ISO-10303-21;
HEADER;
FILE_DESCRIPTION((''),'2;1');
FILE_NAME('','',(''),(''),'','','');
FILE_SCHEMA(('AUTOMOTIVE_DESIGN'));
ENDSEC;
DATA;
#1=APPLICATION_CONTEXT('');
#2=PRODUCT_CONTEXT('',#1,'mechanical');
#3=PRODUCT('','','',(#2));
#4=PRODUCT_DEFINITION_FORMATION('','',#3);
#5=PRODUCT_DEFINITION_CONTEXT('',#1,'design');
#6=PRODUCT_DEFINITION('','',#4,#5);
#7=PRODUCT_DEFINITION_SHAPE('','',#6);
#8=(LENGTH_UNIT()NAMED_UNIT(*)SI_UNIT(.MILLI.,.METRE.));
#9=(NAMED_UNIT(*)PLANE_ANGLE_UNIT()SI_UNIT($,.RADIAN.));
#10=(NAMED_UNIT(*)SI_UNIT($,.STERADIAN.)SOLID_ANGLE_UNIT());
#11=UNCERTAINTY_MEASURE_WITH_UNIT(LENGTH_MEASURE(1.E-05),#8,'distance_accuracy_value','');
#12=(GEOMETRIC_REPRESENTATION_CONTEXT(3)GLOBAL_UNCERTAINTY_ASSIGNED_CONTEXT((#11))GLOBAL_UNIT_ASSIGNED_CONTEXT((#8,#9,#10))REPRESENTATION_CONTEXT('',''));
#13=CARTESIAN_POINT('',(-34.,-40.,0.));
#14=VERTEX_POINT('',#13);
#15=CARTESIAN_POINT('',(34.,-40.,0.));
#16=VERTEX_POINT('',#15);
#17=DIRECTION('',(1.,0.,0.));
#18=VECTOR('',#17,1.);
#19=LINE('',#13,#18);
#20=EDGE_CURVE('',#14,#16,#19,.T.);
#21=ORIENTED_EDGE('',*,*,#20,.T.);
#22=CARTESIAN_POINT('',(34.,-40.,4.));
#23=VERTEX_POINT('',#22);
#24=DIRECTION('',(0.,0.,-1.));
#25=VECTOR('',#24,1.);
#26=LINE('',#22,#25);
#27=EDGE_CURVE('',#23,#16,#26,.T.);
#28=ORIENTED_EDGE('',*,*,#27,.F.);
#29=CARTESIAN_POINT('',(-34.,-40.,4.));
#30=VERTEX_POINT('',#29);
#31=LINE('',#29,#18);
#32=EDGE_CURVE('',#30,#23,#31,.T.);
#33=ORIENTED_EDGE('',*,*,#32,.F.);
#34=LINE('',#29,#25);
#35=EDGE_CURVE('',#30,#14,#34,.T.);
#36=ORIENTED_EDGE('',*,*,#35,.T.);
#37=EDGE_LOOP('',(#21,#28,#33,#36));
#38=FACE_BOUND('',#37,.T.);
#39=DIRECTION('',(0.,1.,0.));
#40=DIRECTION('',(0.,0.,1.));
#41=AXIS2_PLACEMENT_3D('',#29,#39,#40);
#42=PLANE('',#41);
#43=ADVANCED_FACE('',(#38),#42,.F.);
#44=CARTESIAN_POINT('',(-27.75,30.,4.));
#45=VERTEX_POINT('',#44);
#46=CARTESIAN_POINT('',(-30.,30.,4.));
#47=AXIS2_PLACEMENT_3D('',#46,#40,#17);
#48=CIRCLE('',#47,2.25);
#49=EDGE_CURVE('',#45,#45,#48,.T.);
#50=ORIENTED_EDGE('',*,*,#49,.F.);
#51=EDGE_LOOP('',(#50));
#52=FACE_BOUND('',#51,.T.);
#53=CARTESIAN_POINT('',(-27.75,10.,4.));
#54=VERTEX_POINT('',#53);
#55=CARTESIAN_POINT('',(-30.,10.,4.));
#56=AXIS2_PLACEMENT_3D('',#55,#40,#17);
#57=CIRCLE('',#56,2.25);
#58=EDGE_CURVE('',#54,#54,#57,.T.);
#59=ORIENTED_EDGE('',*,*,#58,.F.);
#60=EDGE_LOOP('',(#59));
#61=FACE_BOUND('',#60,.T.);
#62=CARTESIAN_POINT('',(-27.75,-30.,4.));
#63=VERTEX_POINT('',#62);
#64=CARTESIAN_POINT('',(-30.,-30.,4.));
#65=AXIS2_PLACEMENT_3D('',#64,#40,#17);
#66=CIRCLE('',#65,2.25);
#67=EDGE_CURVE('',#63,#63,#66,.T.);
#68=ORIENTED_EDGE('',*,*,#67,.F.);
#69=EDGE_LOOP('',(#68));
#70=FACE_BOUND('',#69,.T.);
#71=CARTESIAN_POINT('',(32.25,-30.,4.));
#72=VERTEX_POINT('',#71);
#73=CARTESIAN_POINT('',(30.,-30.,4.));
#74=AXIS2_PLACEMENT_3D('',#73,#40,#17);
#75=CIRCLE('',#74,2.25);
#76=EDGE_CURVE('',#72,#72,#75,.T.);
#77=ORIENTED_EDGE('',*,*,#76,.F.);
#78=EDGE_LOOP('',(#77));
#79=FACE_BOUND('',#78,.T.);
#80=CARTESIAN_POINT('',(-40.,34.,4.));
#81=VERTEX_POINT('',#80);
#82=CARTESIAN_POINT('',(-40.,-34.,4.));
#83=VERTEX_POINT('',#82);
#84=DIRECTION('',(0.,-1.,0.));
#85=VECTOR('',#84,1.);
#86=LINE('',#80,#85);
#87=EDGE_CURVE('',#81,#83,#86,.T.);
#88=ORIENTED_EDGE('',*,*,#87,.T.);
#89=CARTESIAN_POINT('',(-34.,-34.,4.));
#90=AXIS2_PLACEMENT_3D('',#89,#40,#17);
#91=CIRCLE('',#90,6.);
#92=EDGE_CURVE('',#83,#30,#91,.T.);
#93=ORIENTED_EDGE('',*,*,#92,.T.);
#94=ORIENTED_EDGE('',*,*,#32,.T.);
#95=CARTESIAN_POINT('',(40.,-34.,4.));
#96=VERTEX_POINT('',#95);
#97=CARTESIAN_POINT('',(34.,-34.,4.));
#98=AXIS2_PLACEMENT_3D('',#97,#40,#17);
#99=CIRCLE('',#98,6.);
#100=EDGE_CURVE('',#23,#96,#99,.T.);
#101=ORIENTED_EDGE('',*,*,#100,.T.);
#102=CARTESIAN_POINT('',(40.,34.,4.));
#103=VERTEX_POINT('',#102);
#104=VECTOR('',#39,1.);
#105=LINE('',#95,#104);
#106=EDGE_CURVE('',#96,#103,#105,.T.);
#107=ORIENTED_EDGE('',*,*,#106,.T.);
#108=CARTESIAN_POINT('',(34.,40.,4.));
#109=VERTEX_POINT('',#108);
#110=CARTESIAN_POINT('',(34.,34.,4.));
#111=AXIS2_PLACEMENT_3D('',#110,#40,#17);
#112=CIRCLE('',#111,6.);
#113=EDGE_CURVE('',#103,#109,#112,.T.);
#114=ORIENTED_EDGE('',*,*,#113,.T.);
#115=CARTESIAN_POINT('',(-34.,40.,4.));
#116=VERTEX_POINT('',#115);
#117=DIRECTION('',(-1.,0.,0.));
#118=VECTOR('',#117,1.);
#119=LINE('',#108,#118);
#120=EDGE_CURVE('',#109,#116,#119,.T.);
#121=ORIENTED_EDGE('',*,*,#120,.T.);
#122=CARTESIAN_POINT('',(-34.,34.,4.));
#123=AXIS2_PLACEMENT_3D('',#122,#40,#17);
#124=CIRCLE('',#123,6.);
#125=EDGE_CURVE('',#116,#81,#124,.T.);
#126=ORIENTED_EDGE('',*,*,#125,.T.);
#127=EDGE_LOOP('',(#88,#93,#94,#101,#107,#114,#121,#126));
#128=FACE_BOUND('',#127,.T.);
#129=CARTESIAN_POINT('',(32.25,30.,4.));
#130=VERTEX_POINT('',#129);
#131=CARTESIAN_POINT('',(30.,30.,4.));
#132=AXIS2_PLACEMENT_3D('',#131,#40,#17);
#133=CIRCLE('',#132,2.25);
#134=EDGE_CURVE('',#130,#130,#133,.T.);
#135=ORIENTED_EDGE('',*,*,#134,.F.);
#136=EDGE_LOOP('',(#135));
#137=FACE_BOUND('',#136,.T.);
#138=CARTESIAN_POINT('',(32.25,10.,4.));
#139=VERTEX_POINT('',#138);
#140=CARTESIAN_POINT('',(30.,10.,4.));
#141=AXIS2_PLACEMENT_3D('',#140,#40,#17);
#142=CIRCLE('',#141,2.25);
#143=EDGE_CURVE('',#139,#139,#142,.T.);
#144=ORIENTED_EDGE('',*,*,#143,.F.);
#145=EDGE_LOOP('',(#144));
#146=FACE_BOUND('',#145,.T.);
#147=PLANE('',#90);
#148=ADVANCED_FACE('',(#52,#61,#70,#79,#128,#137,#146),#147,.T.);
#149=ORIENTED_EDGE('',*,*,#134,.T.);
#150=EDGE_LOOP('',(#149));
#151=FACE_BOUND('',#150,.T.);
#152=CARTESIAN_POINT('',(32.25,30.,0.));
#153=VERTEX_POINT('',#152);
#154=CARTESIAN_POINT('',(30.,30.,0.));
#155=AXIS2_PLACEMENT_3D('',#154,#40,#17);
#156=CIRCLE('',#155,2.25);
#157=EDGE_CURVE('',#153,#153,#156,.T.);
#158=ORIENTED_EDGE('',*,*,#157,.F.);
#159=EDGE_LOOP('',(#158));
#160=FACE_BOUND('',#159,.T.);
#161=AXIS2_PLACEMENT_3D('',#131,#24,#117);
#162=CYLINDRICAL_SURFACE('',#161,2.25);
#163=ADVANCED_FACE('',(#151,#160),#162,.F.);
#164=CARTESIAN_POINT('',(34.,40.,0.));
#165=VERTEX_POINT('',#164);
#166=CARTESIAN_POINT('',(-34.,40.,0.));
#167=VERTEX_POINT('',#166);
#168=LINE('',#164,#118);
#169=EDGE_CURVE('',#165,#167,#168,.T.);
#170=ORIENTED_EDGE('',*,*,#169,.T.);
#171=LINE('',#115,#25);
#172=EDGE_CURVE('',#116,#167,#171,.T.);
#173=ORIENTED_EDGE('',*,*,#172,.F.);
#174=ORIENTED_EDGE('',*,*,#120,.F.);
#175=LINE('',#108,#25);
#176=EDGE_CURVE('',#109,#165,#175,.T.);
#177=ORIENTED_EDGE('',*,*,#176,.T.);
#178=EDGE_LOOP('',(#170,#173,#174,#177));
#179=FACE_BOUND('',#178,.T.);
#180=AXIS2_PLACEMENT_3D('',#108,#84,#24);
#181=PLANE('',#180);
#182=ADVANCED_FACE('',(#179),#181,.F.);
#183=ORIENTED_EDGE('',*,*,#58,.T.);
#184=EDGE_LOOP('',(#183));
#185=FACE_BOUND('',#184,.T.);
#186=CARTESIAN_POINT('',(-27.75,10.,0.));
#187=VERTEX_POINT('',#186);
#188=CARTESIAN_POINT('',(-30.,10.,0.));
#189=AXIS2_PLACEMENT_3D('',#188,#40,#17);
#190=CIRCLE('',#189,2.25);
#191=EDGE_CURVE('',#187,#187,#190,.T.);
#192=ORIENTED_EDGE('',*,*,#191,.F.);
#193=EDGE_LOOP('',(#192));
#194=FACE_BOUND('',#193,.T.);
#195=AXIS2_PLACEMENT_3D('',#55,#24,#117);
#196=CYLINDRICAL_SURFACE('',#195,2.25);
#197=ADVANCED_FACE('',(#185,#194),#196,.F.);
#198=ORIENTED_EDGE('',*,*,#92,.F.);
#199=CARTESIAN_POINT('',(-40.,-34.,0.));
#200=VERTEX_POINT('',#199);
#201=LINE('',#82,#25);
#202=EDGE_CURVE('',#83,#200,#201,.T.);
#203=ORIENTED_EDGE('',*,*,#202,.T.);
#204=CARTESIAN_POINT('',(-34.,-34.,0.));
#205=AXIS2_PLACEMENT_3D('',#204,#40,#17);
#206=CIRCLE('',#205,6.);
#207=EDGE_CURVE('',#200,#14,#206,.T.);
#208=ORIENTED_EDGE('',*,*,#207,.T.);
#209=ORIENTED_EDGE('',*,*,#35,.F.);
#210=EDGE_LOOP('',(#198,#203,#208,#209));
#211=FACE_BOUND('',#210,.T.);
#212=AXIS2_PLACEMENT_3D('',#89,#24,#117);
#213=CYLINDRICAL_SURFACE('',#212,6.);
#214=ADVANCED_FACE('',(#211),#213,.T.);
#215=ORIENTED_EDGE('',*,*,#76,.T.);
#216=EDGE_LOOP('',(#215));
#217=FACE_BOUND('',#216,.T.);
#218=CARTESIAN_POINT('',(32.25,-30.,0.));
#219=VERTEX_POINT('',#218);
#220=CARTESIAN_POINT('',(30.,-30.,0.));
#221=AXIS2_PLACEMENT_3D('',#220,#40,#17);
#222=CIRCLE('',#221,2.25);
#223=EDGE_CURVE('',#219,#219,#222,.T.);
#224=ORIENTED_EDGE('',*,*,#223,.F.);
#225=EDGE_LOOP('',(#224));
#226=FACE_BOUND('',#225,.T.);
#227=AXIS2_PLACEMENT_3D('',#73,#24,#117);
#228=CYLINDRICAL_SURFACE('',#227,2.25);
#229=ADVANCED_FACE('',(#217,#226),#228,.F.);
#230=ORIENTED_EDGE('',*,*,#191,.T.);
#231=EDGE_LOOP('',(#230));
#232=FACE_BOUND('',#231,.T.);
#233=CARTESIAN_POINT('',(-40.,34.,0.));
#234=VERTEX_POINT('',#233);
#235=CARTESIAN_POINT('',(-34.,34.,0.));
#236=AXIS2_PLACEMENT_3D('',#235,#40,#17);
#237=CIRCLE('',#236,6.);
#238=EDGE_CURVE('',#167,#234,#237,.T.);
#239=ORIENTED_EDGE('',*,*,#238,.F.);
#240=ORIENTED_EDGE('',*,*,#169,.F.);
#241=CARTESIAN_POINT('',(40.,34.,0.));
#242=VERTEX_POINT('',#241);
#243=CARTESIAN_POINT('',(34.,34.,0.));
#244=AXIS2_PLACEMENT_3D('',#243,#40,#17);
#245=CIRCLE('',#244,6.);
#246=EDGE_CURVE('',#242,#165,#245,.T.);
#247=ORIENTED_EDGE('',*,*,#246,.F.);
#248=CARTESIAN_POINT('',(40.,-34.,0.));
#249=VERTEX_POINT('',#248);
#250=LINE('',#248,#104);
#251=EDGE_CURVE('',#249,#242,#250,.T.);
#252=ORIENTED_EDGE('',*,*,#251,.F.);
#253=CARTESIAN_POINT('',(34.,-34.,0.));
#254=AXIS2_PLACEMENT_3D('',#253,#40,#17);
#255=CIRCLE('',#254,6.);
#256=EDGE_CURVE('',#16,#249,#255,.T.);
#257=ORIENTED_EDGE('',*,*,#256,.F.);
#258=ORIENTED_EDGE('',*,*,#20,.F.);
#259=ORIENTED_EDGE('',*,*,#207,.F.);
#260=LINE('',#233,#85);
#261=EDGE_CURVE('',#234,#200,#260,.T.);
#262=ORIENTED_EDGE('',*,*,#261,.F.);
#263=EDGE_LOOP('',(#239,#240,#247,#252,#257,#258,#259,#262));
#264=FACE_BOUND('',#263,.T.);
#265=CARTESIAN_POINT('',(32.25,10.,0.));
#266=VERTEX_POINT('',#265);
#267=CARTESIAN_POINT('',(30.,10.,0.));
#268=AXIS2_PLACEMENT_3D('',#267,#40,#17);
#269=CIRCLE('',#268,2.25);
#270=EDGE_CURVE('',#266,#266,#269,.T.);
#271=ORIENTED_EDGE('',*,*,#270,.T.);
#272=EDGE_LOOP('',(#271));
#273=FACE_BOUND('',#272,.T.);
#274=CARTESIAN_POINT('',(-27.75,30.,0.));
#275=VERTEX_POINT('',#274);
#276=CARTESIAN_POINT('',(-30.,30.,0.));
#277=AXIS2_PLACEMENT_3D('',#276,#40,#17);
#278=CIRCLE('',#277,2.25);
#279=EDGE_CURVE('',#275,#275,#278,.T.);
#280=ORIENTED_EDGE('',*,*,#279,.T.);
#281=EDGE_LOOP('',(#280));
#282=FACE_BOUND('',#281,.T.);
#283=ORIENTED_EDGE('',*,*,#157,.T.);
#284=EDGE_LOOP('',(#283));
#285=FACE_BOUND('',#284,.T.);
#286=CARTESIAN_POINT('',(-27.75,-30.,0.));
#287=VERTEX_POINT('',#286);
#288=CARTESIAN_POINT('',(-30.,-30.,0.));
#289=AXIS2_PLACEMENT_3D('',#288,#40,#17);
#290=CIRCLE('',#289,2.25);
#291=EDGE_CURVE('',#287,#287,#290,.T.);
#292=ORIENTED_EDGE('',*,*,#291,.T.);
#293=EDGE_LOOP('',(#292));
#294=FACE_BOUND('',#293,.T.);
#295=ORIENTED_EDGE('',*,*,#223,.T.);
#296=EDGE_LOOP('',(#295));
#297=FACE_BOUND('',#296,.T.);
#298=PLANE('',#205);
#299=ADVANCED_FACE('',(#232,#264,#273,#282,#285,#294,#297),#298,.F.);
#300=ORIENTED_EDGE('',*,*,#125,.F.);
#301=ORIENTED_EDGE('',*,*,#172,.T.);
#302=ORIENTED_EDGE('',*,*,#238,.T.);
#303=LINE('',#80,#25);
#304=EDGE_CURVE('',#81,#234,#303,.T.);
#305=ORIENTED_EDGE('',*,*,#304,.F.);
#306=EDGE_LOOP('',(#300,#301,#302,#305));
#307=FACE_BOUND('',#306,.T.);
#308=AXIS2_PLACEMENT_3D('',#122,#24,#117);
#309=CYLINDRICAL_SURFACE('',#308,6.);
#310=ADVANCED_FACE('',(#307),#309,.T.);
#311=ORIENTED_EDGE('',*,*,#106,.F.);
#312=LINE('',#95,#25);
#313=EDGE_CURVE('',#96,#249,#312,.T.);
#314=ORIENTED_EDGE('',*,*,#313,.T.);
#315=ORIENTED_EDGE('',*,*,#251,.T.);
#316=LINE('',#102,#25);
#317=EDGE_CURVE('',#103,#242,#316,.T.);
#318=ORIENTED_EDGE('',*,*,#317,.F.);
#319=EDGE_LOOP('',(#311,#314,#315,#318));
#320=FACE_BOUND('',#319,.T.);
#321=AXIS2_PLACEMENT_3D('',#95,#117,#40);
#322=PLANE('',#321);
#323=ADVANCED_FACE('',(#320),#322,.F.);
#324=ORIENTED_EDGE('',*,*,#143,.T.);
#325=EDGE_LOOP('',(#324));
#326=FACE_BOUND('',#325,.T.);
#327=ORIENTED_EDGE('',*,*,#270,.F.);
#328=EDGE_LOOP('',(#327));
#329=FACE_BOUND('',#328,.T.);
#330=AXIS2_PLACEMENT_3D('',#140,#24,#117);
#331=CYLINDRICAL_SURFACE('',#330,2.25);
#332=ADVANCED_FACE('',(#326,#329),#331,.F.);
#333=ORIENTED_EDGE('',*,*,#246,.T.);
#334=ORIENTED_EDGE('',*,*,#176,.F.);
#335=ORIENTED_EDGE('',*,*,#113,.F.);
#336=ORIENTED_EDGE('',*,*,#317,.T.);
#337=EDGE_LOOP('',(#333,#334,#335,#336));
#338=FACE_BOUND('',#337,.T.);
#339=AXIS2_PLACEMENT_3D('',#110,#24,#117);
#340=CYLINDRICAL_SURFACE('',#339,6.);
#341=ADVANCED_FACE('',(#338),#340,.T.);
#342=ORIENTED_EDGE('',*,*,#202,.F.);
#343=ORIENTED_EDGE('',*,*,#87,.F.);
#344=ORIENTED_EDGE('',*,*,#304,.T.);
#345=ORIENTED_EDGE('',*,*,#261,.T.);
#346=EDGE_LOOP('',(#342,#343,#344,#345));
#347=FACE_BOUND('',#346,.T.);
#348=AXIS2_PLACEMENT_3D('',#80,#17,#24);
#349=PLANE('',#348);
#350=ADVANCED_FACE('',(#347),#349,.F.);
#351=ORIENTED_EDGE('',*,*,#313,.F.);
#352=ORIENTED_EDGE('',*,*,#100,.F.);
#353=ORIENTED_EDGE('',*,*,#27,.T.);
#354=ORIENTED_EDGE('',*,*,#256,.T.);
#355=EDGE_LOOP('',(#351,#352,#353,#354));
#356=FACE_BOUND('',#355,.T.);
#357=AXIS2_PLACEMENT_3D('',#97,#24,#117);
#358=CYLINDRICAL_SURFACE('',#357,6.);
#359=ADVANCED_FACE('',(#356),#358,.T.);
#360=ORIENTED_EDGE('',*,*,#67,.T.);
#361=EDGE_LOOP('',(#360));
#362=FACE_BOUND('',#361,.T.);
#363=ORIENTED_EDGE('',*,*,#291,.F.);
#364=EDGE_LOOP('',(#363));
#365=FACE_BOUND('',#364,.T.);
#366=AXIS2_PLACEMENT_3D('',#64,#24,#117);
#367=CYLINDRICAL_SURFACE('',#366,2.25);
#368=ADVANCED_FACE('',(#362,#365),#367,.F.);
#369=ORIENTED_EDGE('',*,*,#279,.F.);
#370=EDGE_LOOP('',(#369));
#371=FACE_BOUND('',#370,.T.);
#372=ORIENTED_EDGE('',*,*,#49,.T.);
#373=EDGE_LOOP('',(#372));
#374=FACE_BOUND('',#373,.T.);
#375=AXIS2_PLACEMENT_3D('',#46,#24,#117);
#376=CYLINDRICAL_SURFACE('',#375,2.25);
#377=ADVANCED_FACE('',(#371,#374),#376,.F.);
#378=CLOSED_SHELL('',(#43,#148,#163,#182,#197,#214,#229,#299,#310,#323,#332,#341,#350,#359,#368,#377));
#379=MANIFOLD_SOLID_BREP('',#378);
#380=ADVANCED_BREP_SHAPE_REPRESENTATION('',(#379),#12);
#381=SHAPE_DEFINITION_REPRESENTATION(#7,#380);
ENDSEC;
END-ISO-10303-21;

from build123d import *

# Parameters (mm, degrees)
SKETCH1_R           = 2.25
BOSS_EXTRUDE1_DEPTH = 4


with BuildPart() as part:
    # Sketch1 → Boss-Extrude1 (new body)
    with BuildSketch(Plane.XY):
        with BuildLine():
            Line((-34, -40), (34, -40))
            ThreePointArc((34, -40), (38.242640687, -38.242640687), (40, -34))
            Line((40, -34), (40, 34))
            ThreePointArc((40, 34), (38.242640687, 38.242640687), (34, 40))
            Line((34, 40), (-34, 40))
            ThreePointArc((-34, 40), (-38.242640687, 38.242640687), (-40, 34))
            Line((-40, 34), (-40, -34))
            ThreePointArc((-40, -34), (-38.242640687, -38.242640687), (-34, -40))
        make_face()
        with Locations((-30, 10)):
            Circle(SKETCH1_R, mode=Mode.SUBTRACT)
        with Locations((30, -30)):
            Circle(SKETCH1_R, mode=Mode.SUBTRACT)
        with Locations((30, 10)):
            Circle(SKETCH1_R, mode=Mode.SUBTRACT)
        with Locations((-30, 30)):
            Circle(SKETCH1_R, mode=Mode.SUBTRACT)
        with Locations((-30, -30)):
            Circle(SKETCH1_R, mode=Mode.SUBTRACT)
        with Locations((30, 30)):
            Circle(SKETCH1_R, mode=Mode.SUBTRACT)
    extrude(amount=BOSS_EXTRUDE1_DEPTH)


solid = part.part
